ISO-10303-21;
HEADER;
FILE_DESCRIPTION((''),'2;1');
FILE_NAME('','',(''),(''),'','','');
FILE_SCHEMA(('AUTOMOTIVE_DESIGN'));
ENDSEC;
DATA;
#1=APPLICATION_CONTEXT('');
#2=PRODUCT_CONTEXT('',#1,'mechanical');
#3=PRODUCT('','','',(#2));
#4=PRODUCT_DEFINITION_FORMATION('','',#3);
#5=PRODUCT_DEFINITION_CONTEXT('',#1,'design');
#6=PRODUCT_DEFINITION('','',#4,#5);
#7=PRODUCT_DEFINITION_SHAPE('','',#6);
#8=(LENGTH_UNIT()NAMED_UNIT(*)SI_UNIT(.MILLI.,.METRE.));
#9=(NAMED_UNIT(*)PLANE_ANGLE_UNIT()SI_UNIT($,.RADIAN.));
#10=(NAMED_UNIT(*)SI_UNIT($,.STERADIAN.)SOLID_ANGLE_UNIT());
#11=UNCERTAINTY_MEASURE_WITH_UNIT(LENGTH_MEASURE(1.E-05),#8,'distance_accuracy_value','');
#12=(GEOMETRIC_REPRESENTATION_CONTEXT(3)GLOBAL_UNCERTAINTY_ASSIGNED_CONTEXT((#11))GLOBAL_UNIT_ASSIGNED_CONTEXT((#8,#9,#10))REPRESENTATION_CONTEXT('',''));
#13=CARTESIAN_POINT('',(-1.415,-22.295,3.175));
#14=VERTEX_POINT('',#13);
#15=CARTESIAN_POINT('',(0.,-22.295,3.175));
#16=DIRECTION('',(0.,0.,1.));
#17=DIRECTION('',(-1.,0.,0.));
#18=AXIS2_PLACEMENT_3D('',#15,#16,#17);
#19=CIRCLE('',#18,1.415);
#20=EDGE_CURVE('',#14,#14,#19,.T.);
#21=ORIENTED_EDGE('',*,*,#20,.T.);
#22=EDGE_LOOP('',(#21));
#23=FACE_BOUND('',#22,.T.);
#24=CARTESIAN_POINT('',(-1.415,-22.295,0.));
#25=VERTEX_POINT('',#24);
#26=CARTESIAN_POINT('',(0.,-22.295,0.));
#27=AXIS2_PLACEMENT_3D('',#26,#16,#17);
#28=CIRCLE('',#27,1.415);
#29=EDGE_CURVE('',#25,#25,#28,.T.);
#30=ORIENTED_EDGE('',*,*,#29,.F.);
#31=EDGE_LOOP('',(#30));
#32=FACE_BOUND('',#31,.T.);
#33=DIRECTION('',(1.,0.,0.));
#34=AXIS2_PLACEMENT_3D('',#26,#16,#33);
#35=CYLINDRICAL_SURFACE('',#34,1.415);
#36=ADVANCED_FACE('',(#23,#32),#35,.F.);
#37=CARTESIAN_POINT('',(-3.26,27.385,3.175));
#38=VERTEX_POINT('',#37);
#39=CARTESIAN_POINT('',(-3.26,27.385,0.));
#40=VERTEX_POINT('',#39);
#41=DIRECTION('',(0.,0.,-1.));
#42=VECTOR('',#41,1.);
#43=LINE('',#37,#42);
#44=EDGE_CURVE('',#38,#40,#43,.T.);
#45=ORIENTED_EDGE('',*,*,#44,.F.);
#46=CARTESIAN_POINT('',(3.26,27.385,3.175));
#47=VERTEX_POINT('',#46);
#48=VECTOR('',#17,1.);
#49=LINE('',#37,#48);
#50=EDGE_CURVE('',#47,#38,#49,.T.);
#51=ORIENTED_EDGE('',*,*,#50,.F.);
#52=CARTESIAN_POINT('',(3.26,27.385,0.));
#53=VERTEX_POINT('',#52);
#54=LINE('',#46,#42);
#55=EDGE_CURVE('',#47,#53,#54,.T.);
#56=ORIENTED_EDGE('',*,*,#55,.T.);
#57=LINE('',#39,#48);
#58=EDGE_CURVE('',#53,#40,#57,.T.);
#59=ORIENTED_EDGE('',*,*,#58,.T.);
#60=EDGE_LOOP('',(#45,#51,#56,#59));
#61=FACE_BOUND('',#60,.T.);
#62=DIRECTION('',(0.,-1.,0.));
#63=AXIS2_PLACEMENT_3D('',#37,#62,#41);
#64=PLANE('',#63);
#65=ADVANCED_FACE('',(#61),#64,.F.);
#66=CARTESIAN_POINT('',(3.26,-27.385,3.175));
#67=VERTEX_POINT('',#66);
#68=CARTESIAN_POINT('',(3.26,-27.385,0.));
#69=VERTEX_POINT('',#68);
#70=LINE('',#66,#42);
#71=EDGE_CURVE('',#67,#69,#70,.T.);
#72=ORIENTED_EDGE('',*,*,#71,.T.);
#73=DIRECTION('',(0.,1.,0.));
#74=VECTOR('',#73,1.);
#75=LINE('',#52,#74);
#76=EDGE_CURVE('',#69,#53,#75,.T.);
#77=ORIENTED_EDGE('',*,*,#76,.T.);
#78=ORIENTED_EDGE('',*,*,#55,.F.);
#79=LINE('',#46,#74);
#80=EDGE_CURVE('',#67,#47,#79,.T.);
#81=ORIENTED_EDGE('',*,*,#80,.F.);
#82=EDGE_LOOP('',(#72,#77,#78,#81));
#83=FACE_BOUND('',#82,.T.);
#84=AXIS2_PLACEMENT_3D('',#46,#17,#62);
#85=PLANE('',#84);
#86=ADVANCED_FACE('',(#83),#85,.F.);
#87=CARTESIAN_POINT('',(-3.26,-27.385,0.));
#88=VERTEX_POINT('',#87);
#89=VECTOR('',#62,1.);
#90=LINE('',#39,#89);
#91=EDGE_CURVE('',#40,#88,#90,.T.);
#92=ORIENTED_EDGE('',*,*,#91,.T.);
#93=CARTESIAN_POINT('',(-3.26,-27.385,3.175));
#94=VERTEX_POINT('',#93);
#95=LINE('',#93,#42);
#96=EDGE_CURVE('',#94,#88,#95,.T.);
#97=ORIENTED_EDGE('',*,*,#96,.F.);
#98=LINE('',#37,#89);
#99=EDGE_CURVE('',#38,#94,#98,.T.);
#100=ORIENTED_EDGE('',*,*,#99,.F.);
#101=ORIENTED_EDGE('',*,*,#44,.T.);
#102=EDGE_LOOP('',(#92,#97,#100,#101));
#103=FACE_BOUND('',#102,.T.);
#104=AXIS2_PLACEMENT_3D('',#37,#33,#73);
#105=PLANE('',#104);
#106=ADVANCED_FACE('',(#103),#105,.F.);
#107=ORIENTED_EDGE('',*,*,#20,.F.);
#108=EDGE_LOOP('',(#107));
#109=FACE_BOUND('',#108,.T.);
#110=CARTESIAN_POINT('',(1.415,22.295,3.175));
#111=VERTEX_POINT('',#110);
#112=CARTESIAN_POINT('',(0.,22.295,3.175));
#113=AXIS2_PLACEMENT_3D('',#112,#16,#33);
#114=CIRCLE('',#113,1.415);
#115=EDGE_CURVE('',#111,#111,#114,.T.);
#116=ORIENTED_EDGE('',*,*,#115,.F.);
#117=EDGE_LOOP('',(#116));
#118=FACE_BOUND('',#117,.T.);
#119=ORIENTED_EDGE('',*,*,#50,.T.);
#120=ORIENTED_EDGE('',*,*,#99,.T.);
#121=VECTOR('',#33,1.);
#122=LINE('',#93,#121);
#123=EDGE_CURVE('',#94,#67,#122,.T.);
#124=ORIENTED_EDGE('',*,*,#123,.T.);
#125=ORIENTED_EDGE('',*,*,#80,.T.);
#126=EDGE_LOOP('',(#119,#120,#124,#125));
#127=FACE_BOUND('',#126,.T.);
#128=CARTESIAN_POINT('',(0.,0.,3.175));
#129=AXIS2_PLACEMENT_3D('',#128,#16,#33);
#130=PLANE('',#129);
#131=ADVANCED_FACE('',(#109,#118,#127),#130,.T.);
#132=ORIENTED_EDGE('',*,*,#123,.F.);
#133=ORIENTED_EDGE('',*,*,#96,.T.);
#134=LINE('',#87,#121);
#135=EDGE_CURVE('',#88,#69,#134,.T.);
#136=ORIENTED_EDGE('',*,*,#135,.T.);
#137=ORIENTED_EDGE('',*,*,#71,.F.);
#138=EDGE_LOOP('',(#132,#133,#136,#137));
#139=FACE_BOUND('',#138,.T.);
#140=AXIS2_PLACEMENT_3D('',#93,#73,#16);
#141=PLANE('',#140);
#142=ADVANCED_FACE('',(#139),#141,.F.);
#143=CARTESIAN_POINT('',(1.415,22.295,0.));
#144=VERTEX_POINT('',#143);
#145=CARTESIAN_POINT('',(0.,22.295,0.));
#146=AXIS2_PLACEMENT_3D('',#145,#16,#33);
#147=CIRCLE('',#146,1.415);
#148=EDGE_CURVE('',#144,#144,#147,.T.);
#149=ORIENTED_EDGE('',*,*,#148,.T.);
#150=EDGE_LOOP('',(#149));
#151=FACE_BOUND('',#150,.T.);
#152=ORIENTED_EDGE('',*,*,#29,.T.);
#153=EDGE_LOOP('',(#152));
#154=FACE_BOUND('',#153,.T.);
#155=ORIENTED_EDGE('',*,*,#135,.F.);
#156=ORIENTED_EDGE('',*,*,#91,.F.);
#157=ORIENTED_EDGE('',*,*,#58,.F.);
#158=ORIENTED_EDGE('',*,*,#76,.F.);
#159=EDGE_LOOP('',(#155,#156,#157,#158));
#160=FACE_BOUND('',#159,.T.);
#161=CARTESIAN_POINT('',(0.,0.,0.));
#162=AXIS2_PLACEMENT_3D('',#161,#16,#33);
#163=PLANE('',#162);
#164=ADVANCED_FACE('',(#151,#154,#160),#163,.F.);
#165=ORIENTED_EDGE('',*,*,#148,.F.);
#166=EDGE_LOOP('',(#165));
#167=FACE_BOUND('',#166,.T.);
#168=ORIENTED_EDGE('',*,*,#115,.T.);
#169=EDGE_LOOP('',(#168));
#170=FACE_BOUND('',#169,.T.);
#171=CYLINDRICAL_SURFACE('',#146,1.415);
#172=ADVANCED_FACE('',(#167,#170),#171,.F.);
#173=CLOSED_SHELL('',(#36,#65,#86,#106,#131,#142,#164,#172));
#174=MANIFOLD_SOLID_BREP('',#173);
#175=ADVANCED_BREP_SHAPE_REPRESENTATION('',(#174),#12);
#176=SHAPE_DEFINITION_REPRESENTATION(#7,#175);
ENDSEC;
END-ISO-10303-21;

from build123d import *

# Parameters (mm, degrees)
SKETCH1_W           = 6.52
SKETCH1_H           = 54.77
BOSS_EXTRUDE1_DEPTH = 3.175
SKETCH2_R           = 1.415
CUT_EXTRUDE1_DEPTH  = 4.175


with BuildPart() as part:
    # Sketch1 → Boss-Extrude1 (new body)
    with BuildSketch(Plane.XY):
        Rectangle(SKETCH1_W, SKETCH1_H)
    extrude(amount=BOSS_EXTRUDE1_DEPTH)

    # Sketch2 → Cut-Extrude1 (cut, through all)
    with BuildSketch(Plane.XY.offset(3.175)):
        with Locations((0, 22.295)):
            Circle(SKETCH2_R)
        with Locations((0, -22.295)):
            Circle(SKETCH2_R)
    extrude(amount=-CUT_EXTRUDE1_DEPTH, mode=Mode.SUBTRACT)


solid = part.part
